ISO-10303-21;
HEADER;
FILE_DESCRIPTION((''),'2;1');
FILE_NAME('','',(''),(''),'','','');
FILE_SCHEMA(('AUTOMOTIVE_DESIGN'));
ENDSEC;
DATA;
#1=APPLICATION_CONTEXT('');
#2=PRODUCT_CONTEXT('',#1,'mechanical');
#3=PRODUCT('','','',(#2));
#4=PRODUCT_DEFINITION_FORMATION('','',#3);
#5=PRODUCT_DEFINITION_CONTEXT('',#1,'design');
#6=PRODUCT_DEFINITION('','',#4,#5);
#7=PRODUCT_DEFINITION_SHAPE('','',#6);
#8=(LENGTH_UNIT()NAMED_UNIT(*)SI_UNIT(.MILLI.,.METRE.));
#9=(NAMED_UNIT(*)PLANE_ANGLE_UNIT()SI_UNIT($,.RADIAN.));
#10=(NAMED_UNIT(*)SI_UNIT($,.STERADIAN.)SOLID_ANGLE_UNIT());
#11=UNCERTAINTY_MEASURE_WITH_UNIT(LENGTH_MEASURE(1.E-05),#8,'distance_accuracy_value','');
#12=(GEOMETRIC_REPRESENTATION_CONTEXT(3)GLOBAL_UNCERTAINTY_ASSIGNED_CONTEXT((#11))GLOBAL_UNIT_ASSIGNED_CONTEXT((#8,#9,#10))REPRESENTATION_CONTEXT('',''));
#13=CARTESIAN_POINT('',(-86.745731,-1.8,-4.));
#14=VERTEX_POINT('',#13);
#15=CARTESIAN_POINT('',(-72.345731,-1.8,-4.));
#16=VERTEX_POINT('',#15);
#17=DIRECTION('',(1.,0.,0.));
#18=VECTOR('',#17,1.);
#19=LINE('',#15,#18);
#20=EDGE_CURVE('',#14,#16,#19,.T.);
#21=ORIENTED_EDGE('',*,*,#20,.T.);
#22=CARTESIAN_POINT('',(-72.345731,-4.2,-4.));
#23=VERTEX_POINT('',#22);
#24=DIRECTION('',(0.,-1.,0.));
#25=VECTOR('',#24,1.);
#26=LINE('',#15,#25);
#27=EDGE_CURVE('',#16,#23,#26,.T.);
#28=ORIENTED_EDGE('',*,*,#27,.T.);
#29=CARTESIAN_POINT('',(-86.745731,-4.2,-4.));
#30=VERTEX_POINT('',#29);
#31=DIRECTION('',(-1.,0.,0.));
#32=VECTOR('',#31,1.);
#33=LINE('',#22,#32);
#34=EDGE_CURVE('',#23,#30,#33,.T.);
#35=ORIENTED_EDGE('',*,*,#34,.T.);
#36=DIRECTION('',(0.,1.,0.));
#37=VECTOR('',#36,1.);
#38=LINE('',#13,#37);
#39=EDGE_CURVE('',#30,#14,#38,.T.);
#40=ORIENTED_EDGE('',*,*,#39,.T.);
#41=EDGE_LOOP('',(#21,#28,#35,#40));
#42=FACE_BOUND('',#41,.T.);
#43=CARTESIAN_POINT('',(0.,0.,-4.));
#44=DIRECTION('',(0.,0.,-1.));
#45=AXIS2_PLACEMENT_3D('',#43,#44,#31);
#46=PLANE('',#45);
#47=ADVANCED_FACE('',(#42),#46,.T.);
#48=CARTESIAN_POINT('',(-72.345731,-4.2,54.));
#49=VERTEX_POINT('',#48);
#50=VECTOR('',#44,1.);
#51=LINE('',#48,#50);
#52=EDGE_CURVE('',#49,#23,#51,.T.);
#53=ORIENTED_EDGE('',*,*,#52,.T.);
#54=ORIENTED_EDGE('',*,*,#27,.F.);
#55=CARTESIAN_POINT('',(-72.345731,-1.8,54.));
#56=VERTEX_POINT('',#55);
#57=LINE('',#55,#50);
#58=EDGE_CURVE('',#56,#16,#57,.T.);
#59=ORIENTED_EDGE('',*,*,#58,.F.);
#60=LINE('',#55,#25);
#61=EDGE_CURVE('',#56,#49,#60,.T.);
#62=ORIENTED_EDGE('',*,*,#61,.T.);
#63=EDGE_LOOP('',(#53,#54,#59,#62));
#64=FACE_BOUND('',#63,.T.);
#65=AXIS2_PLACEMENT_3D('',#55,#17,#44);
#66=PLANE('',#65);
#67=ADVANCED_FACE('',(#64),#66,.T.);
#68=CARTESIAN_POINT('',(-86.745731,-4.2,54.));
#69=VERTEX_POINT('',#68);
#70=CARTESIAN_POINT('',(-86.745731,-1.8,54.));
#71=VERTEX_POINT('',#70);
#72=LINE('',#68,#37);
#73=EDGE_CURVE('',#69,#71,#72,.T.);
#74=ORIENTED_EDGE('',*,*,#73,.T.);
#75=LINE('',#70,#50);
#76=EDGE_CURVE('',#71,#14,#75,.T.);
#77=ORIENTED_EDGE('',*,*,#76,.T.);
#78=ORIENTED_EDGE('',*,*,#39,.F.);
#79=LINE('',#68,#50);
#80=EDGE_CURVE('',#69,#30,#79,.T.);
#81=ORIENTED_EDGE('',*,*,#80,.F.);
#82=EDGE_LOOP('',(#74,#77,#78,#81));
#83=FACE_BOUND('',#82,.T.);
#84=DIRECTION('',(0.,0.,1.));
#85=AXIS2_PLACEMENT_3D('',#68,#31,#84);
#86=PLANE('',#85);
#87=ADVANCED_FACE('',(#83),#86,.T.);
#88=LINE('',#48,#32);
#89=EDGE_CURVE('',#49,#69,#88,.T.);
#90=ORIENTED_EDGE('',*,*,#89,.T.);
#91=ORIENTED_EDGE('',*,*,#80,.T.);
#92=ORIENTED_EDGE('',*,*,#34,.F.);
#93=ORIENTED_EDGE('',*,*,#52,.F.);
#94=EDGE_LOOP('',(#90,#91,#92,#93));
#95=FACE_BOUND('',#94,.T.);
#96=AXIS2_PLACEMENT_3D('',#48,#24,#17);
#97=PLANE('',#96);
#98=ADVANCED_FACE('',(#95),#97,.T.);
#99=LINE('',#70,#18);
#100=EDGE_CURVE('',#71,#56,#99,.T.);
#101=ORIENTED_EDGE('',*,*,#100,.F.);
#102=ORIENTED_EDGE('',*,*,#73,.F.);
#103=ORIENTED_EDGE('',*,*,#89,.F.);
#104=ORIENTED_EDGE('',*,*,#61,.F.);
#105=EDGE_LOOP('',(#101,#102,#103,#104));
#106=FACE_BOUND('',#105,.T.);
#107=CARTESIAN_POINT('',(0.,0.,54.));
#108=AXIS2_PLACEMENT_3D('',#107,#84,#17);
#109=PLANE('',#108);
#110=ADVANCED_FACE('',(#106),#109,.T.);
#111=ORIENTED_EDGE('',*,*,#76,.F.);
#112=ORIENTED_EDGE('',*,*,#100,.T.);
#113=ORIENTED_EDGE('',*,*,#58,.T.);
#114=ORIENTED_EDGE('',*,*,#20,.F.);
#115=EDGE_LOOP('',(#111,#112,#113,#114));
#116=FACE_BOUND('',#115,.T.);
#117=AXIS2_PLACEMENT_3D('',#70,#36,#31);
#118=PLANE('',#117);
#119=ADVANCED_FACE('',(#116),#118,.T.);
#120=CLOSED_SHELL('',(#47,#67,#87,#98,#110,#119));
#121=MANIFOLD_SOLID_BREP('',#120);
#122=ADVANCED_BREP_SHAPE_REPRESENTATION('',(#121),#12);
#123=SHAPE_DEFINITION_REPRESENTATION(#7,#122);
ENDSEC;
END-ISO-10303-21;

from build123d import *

# Parameters (mm, degrees)
SKETCH1_W               = 14.8
SKETCH1_H               = 2.8
BOSS_EXTRUDE1_DEPTH     = 54
CUT_EXTRUDE1_DEPTH      = 103.444717826
CUT_EXTRUDE1_DEPTH_BACK = 103.444717826
SKETCH2_W               = 14.8
SKETCH2_H               = 2.8
SKETCH2_W_2             = 14.4
SKETCH2_H_2             = 2.4
SKETCH3_W               = 14.4
SKETCH3_H               = 2.4
BOSS_EXTRUDE2_DEPTH     = 4


with BuildPart() as part:
    # Sketch1 → Boss-Extrude1 (new body)
    with BuildSketch(Plane.XY):
        with Locations((-79.545731411, -3)):
            Rectangle(SKETCH1_W, SKETCH1_H)
    extrude(amount=BOSS_EXTRUDE1_DEPTH)

    # Sketch2 → Cut-Extrude1 (cut, two sides: drawn at the far end of the back side and taken through both)
    with BuildSketch(Plane(origin=(0, 0, 0), x_dir=(-1, 0, 0), z_dir=(0, 0, -1)).offset(-CUT_EXTRUDE1_DEPTH_BACK)):
        with Locations((79.545731411, -3)):
            Rectangle(SKETCH2_W, SKETCH2_H)
        with Locations((79.545731411, -3)):
            Rectangle(SKETCH2_W_2, SKETCH2_H_2, mode=Mode.SUBTRACT)
    extrude(amount=CUT_EXTRUDE1_DEPTH + CUT_EXTRUDE1_DEPTH_BACK, mode=Mode.SUBTRACT)

    # Sketch3 → Boss-Extrude2 (add)
    with BuildSketch(Plane(origin=(0, 0, 0), x_dir=(-1, 0, 0), z_dir=(0, 0, -1))):
        with Locations((79.545731411, -3)):
            Rectangle(SKETCH3_W, SKETCH3_H)
    extrude(amount=BOSS_EXTRUDE2_DEPTH)


solid = part.part
